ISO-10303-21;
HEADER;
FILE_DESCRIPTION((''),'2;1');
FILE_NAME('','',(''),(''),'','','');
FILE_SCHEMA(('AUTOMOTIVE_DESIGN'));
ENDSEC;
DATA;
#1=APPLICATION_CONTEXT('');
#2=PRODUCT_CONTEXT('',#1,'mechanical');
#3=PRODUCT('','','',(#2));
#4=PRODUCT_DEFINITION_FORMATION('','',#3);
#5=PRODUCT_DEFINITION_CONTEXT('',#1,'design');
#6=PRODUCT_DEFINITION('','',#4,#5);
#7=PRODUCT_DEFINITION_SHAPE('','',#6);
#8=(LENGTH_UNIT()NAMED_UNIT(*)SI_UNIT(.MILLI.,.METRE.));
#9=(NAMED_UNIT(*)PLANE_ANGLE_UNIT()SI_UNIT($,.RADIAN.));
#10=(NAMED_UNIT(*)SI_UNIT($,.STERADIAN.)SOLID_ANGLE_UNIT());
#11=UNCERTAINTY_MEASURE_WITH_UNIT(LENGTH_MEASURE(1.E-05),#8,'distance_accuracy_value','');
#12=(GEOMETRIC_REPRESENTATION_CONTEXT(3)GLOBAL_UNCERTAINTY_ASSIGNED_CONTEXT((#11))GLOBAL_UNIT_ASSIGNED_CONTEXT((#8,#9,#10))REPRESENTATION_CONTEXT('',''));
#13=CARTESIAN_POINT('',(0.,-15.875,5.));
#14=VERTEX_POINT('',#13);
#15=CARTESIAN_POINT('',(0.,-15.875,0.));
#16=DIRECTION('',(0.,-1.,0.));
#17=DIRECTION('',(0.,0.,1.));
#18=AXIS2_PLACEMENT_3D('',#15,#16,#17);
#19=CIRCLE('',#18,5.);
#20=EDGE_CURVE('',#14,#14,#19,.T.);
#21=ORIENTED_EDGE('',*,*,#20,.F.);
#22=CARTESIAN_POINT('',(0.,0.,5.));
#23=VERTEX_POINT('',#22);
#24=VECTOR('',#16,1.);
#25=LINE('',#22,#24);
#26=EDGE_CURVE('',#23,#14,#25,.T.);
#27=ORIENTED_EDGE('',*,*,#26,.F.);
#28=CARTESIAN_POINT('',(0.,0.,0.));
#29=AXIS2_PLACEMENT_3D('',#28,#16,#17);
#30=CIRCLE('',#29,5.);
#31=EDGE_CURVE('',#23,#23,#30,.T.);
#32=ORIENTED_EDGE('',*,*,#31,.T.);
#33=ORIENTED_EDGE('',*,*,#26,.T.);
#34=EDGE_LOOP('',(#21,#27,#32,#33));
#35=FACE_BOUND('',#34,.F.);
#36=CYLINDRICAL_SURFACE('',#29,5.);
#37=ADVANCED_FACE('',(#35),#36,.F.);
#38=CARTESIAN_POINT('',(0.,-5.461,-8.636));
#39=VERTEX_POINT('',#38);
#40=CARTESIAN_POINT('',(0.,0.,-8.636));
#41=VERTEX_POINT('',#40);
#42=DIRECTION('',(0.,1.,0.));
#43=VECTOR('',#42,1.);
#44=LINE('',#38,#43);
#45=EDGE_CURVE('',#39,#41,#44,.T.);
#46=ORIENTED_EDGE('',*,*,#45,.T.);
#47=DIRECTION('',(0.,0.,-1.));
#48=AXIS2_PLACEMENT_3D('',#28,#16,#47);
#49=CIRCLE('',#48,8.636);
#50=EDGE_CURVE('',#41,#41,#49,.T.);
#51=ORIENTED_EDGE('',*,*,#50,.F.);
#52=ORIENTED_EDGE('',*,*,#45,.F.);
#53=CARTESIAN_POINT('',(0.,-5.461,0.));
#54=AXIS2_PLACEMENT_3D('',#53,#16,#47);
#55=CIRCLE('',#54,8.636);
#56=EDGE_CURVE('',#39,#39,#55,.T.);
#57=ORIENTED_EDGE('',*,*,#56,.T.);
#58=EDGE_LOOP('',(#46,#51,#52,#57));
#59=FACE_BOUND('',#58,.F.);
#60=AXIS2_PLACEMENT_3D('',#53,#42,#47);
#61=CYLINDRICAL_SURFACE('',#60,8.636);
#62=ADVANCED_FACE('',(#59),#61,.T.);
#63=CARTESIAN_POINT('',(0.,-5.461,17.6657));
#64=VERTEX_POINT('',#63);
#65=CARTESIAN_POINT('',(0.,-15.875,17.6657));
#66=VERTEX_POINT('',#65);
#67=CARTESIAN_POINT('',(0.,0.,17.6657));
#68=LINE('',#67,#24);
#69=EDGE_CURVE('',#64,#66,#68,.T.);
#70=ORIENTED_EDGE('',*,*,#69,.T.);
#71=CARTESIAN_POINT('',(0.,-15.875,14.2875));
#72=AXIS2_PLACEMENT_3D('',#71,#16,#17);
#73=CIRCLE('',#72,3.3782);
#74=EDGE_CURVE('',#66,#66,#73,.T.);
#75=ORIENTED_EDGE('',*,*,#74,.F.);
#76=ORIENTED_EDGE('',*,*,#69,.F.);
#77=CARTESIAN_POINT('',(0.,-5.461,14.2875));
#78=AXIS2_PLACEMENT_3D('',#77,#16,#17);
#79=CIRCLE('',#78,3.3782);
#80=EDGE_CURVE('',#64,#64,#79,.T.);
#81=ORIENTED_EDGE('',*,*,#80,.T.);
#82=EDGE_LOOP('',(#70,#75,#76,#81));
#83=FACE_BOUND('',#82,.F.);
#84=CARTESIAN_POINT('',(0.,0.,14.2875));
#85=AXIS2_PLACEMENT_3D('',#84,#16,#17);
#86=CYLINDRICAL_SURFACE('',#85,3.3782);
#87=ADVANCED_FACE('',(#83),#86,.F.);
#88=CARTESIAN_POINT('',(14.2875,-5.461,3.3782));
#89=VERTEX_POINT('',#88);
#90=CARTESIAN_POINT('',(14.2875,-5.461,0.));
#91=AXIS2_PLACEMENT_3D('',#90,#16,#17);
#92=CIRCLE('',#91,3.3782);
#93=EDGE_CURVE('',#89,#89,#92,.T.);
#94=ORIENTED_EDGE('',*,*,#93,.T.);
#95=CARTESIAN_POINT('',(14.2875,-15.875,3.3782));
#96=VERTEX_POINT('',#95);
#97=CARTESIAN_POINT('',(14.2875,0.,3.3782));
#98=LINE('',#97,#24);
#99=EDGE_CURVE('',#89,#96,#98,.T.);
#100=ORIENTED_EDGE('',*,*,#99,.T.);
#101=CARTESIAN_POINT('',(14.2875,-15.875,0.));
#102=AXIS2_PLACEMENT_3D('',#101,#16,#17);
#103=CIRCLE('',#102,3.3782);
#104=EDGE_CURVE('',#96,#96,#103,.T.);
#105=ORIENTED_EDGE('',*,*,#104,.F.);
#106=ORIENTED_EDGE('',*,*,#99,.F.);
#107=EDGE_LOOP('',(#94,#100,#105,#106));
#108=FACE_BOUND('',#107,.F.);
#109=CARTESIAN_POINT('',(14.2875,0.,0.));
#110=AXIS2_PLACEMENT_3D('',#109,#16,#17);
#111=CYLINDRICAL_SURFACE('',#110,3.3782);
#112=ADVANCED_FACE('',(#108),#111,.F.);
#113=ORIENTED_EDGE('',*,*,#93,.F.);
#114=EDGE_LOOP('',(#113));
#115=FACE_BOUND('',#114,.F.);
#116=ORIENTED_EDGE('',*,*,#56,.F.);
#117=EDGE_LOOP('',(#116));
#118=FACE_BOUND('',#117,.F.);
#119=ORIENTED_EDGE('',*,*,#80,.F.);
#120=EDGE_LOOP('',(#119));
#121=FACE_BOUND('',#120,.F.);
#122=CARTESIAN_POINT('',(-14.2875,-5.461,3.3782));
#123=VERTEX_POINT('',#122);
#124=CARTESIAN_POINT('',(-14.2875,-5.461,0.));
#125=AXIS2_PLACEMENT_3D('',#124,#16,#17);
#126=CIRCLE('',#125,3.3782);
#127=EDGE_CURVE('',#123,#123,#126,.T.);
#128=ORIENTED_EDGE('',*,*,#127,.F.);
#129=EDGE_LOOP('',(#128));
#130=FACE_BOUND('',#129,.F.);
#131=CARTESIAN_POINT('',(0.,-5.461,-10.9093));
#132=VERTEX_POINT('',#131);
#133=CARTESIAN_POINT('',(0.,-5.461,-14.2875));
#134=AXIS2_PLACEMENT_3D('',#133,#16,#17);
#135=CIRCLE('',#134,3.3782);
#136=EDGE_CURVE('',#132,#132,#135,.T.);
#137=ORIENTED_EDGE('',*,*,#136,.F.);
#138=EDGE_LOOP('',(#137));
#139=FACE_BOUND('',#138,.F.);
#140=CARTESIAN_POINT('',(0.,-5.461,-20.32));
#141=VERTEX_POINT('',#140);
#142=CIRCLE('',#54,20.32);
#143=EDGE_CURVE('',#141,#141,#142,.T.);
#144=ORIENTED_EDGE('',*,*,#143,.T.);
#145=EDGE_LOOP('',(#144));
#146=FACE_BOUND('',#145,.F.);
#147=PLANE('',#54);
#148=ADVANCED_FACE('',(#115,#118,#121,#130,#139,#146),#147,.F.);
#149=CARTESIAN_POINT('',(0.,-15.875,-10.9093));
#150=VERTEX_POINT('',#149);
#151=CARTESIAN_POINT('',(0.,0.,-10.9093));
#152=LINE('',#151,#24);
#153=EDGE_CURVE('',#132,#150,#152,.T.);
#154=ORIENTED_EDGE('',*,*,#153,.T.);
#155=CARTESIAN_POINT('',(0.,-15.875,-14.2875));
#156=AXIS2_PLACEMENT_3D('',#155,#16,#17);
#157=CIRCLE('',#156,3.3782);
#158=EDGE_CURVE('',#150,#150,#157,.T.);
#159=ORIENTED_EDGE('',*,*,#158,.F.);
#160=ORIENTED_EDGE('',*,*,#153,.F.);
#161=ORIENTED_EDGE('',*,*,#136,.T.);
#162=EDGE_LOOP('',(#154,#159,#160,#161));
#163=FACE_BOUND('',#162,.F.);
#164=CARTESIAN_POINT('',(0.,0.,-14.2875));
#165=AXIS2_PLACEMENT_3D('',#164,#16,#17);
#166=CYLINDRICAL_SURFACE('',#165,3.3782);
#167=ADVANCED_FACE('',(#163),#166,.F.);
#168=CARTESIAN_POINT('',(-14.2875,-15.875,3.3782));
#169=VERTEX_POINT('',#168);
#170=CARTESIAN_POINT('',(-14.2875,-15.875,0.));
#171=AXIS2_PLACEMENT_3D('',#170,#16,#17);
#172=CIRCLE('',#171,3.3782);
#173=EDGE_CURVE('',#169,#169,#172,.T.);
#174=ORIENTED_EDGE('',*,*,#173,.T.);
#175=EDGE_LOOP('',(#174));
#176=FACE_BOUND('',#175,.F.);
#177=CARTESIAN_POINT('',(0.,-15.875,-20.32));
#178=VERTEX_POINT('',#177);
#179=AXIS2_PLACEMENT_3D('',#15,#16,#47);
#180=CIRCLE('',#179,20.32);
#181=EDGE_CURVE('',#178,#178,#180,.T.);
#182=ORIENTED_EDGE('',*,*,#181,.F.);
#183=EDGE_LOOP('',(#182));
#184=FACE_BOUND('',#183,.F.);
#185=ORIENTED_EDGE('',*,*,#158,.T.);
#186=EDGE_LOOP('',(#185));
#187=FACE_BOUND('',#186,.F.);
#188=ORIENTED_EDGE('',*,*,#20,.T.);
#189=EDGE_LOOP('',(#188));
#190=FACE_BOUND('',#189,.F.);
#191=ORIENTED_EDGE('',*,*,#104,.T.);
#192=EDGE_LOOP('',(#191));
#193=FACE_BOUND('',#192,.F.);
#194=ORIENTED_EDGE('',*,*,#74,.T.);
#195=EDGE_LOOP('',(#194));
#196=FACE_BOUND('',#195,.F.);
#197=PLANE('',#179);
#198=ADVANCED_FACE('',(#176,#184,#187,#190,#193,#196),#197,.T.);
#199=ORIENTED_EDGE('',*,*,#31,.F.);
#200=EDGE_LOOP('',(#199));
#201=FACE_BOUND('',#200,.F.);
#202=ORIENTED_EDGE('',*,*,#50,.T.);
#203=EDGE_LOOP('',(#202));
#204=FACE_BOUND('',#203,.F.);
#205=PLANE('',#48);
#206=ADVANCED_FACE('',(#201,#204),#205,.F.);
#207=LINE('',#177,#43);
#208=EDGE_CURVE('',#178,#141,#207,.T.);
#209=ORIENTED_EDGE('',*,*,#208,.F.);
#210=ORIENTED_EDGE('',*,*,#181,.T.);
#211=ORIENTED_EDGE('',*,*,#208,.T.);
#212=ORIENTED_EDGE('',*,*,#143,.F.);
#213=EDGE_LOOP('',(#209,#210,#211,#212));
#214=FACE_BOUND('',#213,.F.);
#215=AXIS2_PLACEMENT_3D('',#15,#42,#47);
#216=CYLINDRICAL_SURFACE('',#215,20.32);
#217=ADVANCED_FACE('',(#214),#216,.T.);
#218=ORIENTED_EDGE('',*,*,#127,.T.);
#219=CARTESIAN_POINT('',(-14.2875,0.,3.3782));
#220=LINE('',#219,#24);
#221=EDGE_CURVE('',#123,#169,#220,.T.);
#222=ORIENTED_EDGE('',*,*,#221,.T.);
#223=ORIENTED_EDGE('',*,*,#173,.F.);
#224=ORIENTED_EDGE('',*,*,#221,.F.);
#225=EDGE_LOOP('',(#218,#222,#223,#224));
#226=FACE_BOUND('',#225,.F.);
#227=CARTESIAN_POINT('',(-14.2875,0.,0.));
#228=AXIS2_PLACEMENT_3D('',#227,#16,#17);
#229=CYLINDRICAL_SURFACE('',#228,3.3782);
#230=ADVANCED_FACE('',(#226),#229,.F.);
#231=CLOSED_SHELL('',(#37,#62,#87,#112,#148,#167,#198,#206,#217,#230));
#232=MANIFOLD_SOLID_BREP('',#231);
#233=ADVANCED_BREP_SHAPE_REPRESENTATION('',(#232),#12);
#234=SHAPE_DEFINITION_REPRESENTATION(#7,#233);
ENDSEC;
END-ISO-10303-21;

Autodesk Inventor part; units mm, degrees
ref_plane "YZ Plane" through (0, 0, 0) normal (1, 0, 0) x (0, 1, 0)
ref_plane "XZ Plane" through (0, 0, 0) normal (0, 1, 0) x (-1, 0, 0)
ref_plane "XY Plane" through (0, 0, 0) normal (0, 0, 1) x (1, 0, 0)
sketch "Sketch1" plane through (0, 0, 0) normal (1, 0, 0) x (0, 1, 0)
  line L0 (0, 0) -> (-15.875, 0)
  line L1 (-15.875, 0) -> (-15.875, -20.32)
  line L2 (-15.875, -20.32) -> (-5.461, -20.32)
  line L3 (-5.461, -20.32) -> (-5.461, -8.636)
  line L4 (-5.461, -8.636) -> (0, -8.636)
  line L5 (0, -8.636) -> (0, 0)
  dimension "d0" = 15.875
  dimension "d1" = 10.414
  dimension "d2" = 20.32
  dimension "d3" = 8.636
revolve "Revolution1" add sketch "Sketch1" angle 360 about axis through (0, 0, 0) along (0, -1, 0)
sketch "Sketch3" plane through (0, 0, 0) normal (0, 1, 0) x (1, 0, 0)
  line L0 (0, -31.0012) -> (0, 35.3144)
  line L1 (-32.7265, 0) -> (26.1488, 0)
  point P0 (0, 0)
  point P1 (-14.2875, 0)
  point P2 (0, 0)
  point P3 (0, 14.2875)
  point P4 (14.2875, 0)
  point P5 (0, -14.2875)
  dimension "d23" = 28.575
  dimension "d24" = 28.575
hole "Hole3" at (0, 0, 0) direction (0, -1, 0) diameter 10 end through all
hole "Hole4" at (0, 0, -14.2875) at (-14.2875, 0, 0) at (0, 0, 14.2875) at (14.2875, 0, 0) direction (0, -1, 0) diameter 6.7564 end through all
equation "\"d24\" = d23"
properties part number "Flange_Nut_7549K16"
